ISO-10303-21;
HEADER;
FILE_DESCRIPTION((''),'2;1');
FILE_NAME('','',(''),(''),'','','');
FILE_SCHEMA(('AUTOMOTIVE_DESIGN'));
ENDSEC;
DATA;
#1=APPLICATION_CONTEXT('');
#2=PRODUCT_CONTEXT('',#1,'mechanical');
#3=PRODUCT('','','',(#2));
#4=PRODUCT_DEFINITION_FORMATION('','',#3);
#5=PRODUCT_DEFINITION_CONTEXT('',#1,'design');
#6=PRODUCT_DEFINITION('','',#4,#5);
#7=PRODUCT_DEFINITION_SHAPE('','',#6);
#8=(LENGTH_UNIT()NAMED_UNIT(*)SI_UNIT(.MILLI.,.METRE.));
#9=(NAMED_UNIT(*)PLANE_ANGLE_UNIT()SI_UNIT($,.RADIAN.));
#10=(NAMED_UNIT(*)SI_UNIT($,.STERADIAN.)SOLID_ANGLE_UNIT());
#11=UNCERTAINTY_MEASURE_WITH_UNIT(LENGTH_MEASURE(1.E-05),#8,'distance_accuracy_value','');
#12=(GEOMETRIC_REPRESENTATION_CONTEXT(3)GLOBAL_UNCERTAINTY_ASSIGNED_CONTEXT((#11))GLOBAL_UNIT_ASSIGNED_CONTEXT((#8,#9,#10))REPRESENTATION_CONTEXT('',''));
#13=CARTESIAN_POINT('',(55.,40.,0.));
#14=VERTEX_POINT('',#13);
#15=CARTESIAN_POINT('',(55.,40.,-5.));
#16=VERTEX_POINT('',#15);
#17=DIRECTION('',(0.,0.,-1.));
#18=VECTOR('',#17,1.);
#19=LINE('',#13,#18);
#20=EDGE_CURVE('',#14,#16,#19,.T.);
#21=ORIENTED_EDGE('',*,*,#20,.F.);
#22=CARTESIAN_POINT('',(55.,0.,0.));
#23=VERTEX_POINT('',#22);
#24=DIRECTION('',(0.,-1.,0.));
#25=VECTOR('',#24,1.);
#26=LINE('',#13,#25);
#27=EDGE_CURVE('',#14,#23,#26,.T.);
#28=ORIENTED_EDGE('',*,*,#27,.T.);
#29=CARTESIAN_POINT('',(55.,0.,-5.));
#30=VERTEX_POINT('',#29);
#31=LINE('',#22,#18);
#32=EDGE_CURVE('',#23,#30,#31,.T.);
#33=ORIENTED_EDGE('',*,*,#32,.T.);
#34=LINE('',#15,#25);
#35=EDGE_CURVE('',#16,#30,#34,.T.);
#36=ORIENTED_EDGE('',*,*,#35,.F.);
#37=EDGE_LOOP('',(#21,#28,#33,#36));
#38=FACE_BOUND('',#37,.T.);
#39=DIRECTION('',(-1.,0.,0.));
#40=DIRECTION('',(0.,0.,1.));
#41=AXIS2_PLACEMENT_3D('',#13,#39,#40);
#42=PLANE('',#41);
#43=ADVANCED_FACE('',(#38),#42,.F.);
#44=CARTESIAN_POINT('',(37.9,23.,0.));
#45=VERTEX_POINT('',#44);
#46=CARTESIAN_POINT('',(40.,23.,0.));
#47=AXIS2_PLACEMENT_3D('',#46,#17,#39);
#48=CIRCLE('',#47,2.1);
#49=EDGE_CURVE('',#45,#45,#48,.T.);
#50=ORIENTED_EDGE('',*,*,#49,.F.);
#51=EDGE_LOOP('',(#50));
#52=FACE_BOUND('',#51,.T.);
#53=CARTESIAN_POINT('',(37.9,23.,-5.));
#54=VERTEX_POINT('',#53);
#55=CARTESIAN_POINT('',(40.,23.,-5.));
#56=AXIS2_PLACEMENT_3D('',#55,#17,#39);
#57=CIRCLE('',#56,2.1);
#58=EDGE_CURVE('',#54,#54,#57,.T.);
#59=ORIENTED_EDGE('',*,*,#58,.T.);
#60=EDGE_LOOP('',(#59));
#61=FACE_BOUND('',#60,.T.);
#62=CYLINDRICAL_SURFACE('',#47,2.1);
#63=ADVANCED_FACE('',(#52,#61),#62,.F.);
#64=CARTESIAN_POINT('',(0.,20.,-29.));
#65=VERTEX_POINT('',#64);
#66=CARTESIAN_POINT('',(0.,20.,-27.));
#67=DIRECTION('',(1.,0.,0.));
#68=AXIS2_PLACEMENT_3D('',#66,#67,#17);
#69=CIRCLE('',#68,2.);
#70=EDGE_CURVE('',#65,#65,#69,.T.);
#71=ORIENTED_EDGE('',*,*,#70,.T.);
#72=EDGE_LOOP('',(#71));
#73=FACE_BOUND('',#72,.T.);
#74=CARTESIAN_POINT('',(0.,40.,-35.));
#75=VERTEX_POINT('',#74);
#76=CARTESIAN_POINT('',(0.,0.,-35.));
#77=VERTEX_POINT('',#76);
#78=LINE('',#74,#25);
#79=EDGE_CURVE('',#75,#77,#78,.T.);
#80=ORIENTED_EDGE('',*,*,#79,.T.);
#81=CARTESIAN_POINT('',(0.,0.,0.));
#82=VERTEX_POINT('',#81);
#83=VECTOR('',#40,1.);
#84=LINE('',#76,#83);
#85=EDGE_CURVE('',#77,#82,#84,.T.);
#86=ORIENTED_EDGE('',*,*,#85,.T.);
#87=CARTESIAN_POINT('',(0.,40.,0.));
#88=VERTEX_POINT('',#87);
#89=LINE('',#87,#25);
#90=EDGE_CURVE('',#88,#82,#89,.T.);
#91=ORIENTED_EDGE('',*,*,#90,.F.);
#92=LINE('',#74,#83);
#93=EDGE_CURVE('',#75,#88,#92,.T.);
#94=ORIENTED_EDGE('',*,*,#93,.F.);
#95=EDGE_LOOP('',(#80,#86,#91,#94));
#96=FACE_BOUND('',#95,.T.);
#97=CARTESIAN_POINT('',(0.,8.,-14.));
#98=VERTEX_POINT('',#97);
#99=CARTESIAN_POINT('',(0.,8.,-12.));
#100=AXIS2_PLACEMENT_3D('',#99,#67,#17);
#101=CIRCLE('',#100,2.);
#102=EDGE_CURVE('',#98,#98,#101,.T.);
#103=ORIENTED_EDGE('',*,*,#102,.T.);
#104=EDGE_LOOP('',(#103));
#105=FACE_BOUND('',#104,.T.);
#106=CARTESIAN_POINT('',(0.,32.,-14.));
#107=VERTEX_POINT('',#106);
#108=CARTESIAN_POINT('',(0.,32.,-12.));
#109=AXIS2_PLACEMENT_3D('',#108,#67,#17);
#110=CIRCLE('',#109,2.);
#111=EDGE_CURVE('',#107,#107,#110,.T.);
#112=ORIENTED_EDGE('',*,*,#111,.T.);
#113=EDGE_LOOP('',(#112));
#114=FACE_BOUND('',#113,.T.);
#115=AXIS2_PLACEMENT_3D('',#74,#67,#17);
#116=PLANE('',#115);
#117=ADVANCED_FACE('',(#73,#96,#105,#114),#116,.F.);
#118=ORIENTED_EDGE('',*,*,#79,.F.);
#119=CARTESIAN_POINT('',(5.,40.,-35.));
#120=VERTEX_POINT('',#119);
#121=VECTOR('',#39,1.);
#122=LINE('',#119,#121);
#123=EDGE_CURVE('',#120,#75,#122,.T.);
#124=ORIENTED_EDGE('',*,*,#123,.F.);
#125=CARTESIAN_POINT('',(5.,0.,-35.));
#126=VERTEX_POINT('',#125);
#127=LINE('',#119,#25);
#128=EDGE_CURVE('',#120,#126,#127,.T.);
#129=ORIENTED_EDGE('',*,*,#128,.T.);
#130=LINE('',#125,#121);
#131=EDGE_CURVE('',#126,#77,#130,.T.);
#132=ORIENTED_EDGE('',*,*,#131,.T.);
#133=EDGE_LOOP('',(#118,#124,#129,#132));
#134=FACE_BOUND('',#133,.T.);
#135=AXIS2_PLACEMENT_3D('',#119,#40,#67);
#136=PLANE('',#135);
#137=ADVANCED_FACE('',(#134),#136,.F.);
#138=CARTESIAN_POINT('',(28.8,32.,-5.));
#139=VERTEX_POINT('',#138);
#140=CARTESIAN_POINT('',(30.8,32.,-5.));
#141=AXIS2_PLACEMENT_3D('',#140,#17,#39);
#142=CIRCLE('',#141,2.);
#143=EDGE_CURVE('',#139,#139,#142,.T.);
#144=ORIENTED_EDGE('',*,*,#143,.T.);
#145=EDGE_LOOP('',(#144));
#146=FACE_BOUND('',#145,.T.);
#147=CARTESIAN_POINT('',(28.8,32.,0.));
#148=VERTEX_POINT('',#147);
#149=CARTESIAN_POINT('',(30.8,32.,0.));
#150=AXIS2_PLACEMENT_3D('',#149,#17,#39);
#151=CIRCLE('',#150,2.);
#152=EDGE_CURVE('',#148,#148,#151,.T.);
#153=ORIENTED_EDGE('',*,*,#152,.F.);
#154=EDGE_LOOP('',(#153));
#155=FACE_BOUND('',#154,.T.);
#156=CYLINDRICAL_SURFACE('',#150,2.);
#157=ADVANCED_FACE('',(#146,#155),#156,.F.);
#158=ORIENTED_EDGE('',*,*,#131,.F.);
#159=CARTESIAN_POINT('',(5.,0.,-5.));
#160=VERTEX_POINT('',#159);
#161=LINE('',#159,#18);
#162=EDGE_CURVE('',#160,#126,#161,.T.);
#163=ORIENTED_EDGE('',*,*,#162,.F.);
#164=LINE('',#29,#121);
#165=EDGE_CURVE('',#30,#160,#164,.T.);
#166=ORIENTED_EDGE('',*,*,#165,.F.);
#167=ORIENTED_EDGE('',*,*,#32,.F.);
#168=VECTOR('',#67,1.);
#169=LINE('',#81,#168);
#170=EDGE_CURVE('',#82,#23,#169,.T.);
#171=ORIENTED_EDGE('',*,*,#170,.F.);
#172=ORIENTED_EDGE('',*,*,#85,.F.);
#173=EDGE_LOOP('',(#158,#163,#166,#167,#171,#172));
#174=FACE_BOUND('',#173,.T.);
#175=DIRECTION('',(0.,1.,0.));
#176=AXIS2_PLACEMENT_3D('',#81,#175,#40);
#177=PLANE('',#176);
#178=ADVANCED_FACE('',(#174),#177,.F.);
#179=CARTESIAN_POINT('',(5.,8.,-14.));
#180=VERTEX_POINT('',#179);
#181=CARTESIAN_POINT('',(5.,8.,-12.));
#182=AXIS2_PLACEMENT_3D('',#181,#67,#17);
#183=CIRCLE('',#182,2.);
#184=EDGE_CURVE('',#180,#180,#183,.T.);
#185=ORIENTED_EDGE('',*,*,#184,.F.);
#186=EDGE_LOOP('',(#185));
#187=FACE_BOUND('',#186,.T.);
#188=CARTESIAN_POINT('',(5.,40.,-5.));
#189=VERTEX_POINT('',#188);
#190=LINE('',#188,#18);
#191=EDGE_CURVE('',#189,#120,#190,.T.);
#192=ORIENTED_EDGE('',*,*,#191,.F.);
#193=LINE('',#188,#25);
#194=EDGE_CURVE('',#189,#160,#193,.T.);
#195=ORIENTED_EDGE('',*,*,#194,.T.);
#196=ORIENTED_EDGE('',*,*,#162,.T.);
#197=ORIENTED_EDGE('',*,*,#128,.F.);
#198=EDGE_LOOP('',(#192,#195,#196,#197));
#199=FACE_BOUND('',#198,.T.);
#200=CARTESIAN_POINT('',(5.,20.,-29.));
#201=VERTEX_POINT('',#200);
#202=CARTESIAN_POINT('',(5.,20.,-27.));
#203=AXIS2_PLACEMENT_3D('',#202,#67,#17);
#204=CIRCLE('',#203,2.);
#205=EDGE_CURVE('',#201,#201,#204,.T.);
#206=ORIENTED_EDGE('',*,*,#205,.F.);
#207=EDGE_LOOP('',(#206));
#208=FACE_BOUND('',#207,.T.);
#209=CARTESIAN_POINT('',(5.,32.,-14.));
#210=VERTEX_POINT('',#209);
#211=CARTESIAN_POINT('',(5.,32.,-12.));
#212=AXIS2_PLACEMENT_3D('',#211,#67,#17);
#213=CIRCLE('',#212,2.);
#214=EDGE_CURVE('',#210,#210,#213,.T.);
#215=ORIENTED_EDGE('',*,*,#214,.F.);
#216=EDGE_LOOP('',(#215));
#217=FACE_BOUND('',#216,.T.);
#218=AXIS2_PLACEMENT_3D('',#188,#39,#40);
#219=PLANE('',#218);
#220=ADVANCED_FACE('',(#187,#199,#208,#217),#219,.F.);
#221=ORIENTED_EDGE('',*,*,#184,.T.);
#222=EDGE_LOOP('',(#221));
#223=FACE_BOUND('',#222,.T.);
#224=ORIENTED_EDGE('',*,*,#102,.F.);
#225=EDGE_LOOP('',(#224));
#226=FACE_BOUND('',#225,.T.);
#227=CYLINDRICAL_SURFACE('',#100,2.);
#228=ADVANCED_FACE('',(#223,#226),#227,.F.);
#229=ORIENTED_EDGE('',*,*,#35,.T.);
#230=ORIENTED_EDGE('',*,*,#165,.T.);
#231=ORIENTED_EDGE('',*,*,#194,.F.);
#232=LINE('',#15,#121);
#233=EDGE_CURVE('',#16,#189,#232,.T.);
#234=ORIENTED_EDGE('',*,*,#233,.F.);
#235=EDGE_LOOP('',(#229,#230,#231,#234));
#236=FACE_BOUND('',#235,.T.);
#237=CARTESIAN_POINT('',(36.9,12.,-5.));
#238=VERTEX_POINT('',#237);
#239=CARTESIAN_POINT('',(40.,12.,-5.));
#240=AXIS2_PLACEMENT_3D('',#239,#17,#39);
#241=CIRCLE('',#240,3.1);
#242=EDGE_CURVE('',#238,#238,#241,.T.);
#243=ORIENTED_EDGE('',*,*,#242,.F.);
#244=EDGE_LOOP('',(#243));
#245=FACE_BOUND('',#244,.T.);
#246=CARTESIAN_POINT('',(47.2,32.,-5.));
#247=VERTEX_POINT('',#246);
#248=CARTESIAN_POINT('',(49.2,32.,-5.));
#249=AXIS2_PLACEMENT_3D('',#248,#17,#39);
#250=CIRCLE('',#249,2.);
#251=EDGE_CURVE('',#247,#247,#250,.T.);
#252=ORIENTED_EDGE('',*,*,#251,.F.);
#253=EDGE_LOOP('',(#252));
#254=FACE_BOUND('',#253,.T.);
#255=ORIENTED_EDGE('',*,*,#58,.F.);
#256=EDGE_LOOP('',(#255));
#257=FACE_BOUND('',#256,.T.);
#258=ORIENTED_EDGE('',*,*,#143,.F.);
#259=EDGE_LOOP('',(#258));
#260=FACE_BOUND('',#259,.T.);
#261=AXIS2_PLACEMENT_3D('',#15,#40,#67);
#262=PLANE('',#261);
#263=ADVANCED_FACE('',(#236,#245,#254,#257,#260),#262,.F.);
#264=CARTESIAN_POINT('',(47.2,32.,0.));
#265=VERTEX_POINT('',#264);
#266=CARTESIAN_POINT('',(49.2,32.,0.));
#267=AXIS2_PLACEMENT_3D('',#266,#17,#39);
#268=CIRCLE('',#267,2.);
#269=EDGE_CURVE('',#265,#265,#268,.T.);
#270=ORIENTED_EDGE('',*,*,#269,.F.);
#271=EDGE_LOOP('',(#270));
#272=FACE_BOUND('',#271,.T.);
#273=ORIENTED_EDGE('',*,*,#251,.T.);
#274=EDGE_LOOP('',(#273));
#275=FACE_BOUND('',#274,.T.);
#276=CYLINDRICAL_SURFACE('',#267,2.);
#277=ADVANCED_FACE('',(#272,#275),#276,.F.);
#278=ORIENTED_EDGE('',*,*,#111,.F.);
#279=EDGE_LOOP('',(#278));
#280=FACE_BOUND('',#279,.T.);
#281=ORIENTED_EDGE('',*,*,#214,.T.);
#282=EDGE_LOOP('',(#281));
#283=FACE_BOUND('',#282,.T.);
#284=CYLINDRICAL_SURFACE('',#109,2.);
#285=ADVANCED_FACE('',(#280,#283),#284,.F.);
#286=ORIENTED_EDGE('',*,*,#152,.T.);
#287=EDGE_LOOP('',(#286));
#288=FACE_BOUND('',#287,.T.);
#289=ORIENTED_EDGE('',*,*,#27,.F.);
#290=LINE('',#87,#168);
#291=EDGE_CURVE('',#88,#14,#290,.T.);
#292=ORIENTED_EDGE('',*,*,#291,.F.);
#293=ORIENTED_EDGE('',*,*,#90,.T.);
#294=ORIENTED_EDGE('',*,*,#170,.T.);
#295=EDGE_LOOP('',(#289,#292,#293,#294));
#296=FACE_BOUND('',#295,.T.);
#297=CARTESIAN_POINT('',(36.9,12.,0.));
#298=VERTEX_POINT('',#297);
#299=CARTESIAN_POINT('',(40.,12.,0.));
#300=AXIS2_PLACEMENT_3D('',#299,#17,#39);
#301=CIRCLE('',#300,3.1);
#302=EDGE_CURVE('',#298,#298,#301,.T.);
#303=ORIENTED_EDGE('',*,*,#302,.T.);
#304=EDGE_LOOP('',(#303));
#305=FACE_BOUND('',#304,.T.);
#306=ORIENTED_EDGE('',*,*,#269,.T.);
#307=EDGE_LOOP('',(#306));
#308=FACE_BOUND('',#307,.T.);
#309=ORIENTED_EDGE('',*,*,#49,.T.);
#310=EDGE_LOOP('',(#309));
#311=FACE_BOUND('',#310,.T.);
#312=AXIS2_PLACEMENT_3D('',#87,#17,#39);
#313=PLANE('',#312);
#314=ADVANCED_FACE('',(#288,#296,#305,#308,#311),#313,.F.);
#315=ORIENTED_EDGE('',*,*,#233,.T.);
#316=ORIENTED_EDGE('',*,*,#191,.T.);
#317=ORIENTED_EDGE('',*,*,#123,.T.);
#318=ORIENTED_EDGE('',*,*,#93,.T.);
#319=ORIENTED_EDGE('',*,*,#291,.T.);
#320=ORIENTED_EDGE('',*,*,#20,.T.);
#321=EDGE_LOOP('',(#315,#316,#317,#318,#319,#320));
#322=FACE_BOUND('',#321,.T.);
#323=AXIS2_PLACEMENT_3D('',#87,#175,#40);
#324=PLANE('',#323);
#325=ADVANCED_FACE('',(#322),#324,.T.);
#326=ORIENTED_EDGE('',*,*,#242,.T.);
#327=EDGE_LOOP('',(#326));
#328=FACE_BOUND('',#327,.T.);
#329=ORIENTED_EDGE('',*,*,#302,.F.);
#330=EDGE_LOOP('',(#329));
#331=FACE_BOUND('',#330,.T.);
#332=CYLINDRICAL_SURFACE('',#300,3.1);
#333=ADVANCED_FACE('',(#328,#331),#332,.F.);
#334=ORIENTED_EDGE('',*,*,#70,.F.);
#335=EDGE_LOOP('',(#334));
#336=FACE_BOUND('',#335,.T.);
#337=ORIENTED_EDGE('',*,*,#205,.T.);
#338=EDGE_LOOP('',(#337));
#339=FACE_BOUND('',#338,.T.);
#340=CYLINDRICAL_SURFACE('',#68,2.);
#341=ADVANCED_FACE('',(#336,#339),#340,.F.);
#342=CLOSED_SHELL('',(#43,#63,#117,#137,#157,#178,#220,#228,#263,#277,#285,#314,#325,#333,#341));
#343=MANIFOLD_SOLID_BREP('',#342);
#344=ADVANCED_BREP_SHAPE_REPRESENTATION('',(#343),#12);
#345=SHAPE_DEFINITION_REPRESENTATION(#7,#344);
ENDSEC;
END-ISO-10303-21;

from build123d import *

# Parameters (mm, degrees)
BOSS_EXTRUDE2_DEPTH = 40
SKETCH3_R           = 3.1
SKETCH3_R_2         = 2.1
SKETCH3_R_3         = 2
CUT_EXTRUDE1_DEPTH  = 75.330343737
SKETCH4_R           = 2
CUT_EXTRUDE3_DEPTH  = 73.972597597


with BuildPart() as part:
    # Sketch1 → Boss-Extrude2 (new body)
    with BuildSketch(Plane(origin=(0, 0, 0), x_dir=(1, 0, 0), z_dir=(0, 1, 0))):
        Polygon((0, 0), (55, 0), (55, 5), (5, 5), (5, 35), (0, 35), align=None)
    extrude(amount=BOSS_EXTRUDE2_DEPTH)

    # Sketch3 → Cut-Extrude1 (cut, through all)
    with BuildSketch(Plane(origin=(0, 0, -5), x_dir=(-1, 0, 0), z_dir=(0, 0, -1))):
        with Locations((-40, 12)):
            Circle(SKETCH3_R)
        with Locations((-40, 23)):
            Circle(SKETCH3_R_2)
        with Locations((-49.2, 32)):
            Circle(SKETCH3_R_3)
        with Locations((-30.8, 32)):
            Circle(SKETCH3_R_3)
    extrude(amount=-CUT_EXTRUDE1_DEPTH, mode=Mode.SUBTRACT)

    # Sketch4 → Cut-Extrude3 (cut, through all)
    with BuildSketch(Plane(origin=(5, 0, 0), x_dir=(0, 0, -1), z_dir=(1, 0, 0))):
        with Locations((12, 32)):
            Circle(SKETCH4_R)
        with Locations((27, 20)):
            Circle(SKETCH4_R)
        with Locations((12, 8)):
            Circle(SKETCH4_R)
    extrude(amount=-CUT_EXTRUDE3_DEPTH, mode=Mode.SUBTRACT)


solid = part.part
